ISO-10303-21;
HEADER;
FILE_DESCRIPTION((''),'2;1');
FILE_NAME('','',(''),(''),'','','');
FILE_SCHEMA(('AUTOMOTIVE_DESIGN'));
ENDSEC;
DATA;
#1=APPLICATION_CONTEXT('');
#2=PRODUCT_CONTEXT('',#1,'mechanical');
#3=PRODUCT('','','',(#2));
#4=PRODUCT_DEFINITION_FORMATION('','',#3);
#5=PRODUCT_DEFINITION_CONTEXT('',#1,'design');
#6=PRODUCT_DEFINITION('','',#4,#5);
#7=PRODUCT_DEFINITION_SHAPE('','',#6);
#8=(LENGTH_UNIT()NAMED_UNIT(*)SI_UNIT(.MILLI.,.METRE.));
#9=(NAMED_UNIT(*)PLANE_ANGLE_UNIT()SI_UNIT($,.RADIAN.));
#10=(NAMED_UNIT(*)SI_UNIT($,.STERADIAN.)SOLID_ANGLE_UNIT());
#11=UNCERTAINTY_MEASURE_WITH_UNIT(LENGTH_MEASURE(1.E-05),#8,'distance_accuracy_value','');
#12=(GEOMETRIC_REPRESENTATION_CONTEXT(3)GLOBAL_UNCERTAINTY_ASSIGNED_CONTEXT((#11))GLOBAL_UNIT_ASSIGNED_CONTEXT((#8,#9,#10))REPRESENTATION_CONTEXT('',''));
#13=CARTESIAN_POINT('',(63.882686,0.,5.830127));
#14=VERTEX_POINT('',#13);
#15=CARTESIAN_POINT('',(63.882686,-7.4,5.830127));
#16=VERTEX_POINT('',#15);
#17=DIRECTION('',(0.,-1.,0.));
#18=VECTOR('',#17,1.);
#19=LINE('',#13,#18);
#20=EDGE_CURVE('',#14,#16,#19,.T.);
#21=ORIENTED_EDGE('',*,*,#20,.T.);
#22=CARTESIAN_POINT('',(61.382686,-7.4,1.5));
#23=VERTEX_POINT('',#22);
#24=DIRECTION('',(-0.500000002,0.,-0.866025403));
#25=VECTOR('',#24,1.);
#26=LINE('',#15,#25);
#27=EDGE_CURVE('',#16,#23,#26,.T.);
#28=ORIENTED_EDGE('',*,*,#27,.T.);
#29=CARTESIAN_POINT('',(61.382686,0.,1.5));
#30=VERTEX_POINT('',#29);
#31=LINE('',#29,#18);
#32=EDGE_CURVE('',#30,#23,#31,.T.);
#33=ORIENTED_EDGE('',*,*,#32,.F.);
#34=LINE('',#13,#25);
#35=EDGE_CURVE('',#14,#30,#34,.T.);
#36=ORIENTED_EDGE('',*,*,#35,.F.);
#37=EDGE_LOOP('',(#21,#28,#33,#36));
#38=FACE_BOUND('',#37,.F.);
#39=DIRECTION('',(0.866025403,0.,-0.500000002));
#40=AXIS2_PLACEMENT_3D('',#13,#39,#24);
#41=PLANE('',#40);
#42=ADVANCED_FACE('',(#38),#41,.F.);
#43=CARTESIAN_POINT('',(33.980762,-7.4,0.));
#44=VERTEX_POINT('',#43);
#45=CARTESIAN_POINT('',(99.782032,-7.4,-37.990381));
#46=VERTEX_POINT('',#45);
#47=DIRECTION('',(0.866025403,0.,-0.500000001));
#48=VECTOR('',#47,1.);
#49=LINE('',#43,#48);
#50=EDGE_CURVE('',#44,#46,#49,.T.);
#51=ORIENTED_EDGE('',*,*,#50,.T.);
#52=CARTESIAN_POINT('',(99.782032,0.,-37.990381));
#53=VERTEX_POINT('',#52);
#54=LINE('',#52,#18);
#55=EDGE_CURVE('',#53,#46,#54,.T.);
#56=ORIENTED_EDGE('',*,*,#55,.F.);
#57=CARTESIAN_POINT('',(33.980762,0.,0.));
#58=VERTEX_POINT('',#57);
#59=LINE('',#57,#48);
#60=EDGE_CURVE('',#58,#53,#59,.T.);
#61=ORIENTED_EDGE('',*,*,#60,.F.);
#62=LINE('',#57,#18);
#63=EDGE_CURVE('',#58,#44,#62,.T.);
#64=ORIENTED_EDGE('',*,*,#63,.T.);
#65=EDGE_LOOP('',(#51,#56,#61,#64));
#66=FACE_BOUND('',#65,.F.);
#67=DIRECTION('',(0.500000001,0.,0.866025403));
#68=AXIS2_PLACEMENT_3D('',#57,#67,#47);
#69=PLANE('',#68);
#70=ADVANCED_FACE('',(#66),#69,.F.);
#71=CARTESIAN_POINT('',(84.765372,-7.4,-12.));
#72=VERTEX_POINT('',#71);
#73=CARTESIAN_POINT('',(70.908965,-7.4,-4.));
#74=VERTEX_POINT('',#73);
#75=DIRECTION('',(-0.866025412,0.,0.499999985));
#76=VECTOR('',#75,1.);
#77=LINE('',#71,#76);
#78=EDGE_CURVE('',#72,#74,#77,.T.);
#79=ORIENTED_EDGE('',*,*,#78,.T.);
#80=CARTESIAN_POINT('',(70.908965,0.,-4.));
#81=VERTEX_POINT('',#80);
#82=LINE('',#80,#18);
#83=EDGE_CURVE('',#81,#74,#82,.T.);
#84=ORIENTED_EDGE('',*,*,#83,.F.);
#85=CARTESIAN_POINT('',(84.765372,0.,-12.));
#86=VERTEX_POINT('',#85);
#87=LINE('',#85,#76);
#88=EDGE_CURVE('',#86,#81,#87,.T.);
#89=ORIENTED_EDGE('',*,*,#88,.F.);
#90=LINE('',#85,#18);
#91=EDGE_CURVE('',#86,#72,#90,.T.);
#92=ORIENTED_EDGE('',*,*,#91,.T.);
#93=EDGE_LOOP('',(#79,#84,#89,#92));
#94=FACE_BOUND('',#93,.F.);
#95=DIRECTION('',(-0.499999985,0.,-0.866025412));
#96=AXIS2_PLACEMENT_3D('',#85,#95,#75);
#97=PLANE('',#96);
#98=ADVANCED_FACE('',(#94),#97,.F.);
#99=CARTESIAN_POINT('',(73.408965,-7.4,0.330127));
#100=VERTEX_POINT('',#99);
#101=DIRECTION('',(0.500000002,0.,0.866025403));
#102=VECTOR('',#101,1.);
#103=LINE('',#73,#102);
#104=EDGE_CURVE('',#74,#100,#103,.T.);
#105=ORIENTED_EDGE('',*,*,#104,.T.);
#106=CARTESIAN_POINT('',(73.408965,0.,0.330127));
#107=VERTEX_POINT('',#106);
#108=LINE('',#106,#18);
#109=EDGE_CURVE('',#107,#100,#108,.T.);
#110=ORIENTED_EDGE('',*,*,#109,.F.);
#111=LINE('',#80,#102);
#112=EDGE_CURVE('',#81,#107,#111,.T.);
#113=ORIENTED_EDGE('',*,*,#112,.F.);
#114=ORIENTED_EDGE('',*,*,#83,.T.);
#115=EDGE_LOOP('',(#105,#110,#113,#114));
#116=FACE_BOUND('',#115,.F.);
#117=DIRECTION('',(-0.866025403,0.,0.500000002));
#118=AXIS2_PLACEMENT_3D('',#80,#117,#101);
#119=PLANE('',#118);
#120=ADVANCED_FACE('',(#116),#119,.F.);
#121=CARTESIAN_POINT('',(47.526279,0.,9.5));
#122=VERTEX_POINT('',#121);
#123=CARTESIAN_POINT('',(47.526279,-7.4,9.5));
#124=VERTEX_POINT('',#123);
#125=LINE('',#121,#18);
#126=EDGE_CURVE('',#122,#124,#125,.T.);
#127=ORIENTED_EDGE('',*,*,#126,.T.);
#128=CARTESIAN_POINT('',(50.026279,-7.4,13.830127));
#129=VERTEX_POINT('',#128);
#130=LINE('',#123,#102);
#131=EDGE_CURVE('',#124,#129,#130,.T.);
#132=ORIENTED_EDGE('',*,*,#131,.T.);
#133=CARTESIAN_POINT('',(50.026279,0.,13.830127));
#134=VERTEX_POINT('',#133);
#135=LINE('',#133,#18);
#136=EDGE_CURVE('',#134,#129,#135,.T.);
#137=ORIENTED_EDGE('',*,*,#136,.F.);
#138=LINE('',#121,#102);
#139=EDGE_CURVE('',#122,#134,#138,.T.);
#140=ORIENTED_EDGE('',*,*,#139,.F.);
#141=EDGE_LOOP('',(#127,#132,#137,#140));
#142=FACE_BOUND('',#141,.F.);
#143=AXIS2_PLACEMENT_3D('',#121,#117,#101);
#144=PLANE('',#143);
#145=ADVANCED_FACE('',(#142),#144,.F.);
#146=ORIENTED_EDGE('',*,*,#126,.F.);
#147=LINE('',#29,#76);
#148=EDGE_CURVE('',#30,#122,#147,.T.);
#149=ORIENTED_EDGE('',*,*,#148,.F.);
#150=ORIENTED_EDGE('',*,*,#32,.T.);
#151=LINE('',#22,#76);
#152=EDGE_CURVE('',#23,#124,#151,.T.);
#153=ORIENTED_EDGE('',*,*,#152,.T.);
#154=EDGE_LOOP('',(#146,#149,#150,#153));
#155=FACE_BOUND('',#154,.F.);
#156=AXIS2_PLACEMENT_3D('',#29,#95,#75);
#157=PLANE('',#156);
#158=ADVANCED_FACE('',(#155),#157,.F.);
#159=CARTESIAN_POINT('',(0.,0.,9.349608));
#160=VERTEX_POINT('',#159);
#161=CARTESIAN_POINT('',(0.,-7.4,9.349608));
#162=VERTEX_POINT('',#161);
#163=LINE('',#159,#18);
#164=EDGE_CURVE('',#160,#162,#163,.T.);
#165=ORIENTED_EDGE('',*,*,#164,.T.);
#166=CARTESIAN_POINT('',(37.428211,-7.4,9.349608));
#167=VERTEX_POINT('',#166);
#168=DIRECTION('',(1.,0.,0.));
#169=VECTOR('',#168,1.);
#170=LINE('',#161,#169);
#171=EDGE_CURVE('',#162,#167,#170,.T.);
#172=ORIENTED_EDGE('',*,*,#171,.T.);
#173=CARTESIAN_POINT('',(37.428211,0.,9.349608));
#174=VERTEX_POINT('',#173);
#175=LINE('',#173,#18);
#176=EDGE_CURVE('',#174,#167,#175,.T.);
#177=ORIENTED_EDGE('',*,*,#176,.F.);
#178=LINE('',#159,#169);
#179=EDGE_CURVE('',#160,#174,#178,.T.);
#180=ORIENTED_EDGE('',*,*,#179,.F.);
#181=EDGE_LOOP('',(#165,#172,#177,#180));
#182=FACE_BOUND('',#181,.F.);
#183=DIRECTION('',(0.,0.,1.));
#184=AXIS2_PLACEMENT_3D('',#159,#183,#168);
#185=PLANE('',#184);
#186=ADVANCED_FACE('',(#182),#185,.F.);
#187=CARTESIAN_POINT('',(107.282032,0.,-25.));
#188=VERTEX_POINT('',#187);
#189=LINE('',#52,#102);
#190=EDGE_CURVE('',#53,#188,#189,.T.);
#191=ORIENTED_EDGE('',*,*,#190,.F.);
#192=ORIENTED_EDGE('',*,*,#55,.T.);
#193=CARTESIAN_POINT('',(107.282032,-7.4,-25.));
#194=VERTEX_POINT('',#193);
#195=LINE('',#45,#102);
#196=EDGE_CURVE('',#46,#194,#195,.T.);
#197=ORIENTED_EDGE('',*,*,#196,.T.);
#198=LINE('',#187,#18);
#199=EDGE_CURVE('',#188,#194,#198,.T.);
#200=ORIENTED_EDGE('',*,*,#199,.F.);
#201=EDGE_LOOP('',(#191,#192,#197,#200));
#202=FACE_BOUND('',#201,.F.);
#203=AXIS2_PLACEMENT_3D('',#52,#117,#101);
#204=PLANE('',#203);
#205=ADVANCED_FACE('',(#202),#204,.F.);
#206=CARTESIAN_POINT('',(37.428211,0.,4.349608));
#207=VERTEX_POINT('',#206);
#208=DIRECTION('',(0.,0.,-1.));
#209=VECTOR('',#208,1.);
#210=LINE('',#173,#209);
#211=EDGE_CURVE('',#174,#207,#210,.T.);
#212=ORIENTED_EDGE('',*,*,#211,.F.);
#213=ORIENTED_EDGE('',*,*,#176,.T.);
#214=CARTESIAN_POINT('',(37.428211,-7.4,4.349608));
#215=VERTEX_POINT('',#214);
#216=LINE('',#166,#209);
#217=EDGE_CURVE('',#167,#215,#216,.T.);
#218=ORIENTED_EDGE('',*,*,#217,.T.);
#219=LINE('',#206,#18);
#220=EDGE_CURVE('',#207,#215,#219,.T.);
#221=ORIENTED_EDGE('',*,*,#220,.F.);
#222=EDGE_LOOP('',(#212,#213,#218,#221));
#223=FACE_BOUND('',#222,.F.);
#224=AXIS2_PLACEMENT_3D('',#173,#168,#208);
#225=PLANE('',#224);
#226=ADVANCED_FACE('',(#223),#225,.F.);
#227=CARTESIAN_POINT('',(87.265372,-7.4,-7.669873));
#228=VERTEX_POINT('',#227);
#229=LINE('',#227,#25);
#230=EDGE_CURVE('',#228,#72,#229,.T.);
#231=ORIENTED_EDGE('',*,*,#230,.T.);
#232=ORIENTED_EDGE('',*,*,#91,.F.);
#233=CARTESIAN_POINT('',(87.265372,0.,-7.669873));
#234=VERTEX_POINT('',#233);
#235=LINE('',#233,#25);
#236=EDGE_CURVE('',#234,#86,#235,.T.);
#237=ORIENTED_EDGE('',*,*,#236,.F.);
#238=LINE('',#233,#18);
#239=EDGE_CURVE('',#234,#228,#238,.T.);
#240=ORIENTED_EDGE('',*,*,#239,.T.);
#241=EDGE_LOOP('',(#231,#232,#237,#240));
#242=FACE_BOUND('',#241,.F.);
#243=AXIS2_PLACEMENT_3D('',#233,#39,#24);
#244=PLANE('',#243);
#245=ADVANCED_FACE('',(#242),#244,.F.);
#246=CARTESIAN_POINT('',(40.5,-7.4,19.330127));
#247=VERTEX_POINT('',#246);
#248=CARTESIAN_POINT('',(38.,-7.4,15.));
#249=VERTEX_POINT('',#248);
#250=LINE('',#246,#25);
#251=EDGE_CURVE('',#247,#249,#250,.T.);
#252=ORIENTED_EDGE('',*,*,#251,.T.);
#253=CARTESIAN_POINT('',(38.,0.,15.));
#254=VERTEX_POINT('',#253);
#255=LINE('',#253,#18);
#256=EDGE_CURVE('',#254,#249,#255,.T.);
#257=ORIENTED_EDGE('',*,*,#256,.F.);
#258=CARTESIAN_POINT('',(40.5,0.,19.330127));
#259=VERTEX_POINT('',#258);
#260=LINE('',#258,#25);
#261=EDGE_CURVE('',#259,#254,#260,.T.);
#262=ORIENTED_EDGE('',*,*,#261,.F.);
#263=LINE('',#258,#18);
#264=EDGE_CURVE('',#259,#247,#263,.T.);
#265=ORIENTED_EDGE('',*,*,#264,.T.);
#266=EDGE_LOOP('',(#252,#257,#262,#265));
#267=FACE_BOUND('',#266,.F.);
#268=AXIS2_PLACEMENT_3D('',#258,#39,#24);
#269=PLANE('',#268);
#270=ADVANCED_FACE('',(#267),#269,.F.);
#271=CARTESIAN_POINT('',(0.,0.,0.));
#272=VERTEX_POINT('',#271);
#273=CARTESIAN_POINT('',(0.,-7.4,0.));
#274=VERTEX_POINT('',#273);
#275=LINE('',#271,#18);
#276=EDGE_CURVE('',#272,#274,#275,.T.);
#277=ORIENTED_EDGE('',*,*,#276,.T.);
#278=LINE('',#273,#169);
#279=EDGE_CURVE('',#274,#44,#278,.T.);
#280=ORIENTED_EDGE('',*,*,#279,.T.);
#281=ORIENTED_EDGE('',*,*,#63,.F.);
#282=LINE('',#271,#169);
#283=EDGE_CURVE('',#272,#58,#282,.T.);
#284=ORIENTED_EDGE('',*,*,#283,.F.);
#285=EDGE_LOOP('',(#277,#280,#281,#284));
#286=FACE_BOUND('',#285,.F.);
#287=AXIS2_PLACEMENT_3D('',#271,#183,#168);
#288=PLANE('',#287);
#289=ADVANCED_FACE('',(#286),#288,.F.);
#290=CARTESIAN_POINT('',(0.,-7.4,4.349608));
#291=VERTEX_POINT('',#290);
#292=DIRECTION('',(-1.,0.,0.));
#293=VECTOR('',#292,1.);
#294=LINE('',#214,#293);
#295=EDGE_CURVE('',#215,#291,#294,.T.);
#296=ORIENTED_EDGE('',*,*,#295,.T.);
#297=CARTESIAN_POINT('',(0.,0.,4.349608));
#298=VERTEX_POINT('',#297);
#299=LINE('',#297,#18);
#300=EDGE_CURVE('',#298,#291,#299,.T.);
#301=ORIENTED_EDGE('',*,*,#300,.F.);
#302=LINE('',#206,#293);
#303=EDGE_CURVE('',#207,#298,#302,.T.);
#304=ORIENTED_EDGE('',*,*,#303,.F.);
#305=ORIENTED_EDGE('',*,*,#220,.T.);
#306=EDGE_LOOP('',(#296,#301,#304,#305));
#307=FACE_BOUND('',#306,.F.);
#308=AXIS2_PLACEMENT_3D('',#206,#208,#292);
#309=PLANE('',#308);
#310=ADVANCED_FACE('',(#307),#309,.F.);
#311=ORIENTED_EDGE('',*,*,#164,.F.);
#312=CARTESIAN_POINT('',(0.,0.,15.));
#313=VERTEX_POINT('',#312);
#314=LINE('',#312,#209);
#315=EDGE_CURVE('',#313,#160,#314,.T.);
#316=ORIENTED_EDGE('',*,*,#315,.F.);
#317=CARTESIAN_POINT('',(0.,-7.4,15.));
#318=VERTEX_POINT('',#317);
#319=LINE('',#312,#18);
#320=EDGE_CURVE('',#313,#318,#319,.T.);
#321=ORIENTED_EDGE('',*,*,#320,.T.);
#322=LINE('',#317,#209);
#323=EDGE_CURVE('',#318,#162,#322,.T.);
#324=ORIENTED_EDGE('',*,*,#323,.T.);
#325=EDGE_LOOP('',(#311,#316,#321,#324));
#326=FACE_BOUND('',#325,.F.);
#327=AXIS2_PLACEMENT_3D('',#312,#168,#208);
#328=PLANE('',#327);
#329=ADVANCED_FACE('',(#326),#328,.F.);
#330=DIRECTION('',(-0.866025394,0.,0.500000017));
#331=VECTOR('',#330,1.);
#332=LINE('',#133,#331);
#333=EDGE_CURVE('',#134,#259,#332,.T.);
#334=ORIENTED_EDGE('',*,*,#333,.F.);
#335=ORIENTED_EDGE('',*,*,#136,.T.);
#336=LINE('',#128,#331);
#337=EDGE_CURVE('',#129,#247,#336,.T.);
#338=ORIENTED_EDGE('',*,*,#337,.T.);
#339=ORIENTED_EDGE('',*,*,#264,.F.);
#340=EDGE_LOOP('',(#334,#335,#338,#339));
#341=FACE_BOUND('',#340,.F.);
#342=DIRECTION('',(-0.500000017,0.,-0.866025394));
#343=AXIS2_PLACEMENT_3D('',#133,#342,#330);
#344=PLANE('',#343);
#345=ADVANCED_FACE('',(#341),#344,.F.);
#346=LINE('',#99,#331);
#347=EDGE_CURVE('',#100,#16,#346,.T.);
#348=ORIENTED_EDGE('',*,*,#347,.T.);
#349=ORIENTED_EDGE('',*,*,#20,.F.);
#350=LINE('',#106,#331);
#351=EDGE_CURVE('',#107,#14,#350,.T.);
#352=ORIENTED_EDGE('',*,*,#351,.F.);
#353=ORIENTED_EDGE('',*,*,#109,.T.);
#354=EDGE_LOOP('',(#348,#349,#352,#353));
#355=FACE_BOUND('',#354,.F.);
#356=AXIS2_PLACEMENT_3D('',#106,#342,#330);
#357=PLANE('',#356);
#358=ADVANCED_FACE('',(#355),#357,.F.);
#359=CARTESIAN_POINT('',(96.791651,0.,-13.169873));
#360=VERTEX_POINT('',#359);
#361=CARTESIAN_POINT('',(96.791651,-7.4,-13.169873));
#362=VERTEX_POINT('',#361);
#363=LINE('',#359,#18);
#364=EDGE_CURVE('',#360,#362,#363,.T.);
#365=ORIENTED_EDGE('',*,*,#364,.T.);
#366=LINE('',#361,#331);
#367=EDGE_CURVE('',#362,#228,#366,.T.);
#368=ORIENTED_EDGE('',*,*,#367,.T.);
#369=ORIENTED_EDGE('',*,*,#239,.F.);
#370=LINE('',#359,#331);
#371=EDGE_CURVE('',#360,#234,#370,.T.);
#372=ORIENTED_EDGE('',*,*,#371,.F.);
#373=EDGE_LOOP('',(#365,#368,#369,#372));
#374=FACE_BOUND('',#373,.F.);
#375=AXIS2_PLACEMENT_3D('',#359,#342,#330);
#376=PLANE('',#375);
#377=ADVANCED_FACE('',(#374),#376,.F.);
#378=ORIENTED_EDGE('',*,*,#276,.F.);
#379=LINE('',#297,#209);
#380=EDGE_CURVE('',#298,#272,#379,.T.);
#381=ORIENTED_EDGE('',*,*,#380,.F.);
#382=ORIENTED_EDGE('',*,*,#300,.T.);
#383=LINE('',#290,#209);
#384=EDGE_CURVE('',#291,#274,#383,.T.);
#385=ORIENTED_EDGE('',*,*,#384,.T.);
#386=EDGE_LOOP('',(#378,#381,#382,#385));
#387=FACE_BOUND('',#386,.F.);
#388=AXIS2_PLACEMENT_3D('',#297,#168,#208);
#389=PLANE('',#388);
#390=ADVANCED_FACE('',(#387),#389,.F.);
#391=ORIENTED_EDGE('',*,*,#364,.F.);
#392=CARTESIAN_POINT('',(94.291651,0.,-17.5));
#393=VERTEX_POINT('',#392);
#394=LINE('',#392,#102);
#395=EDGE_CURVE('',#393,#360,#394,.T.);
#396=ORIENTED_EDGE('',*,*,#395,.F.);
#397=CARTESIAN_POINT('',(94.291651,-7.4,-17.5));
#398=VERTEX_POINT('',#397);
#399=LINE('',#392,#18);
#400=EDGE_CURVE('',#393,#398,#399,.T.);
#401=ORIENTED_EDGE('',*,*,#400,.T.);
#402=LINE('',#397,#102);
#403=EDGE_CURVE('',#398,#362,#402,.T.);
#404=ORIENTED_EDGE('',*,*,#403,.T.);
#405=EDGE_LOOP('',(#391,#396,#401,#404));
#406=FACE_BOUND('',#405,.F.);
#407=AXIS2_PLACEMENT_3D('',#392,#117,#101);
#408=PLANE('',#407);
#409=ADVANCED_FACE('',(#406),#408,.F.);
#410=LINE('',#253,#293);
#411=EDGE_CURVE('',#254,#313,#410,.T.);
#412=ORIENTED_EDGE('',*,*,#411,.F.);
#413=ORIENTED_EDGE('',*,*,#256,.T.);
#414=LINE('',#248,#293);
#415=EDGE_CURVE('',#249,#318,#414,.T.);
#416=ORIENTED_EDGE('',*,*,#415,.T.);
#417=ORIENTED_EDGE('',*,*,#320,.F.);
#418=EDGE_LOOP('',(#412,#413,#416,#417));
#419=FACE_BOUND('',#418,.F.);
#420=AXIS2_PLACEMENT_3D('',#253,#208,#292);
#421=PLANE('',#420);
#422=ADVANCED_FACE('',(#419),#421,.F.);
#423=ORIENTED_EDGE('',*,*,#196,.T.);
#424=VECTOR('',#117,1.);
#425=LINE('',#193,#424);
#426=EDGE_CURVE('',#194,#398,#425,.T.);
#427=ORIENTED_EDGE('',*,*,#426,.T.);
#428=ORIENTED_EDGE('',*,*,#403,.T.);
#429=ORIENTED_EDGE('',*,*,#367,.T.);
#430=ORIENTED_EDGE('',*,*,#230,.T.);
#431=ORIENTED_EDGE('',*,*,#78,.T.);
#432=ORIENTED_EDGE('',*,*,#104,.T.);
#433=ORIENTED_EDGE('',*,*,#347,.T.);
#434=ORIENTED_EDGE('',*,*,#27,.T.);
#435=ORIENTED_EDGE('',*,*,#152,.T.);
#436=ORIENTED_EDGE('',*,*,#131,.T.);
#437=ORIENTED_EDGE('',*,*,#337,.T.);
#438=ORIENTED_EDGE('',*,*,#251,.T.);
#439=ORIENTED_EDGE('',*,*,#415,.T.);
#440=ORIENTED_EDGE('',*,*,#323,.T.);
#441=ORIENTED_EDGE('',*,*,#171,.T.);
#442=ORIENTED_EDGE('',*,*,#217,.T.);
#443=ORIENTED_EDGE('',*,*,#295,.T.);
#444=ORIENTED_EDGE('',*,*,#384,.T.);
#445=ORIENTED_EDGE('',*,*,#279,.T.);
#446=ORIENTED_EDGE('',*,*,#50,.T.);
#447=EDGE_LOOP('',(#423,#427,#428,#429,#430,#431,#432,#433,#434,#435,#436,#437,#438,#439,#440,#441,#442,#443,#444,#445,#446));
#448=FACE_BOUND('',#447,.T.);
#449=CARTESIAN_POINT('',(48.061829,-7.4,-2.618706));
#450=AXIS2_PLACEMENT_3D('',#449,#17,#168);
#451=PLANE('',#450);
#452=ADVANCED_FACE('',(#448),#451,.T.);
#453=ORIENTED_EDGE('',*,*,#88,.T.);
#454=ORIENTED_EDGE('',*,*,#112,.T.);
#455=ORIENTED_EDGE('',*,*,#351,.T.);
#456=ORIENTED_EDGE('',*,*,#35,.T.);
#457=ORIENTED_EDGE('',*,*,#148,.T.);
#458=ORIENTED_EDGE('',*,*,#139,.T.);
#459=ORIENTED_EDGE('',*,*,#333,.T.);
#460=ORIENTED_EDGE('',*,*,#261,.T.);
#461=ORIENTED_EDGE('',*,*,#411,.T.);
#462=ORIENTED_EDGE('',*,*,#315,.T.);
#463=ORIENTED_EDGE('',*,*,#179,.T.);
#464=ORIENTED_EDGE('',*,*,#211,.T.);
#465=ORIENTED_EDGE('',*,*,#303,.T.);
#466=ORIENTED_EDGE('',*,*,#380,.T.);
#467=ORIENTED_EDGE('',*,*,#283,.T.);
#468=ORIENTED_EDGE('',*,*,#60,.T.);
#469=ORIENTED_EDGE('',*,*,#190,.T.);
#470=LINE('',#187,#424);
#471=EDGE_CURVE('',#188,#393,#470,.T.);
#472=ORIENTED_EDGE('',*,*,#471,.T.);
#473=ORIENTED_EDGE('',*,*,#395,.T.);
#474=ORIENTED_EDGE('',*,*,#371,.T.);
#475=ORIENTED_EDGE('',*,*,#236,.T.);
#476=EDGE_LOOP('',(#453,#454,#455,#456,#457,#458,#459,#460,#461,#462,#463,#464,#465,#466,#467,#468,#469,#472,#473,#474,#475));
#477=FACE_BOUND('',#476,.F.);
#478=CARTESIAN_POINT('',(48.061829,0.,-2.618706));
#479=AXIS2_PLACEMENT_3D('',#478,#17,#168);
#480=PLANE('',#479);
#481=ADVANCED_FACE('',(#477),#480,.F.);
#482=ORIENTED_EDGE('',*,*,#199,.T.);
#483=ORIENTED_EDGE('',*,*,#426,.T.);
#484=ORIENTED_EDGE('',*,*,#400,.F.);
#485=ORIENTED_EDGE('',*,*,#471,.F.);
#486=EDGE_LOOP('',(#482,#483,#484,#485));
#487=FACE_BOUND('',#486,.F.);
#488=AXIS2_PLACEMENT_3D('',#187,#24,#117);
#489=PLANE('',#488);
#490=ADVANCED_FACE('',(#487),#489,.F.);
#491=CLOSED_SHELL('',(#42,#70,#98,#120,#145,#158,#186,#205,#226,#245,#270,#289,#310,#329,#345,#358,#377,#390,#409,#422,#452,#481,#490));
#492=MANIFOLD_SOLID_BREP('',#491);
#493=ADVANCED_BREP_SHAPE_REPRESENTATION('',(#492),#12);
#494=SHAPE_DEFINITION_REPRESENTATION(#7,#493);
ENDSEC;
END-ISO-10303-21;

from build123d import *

# Parameters (mm, degrees)
F1_DEPTH = 7.4


with BuildPart() as f1:
    # F0 (on Front) → F1 (new body)
    with BuildSketch(Plane.XZ):
        Polygon((38, 15), (0, 15), (0, 9.349608), (37.428211, 9.349608), (37.428211, 4.349608), (0, 4.349608), (0, 0), (33.980762, 0), (99.782032, -37.990381), (107.282032, -25), (94.291651, -17.5), (96.791651, -13.169873), (87.265372, -7.669873), (84.765372, -12), (70.908965, -4), (73.408965, 0.330127), (63.882686, 5.830127), (61.382686, 1.5), (47.526279, 9.5), (50.026279, 13.830127), (40.5, 19.330127), align=None)
    extrude(amount=F1_DEPTH)


solid = f1.part
